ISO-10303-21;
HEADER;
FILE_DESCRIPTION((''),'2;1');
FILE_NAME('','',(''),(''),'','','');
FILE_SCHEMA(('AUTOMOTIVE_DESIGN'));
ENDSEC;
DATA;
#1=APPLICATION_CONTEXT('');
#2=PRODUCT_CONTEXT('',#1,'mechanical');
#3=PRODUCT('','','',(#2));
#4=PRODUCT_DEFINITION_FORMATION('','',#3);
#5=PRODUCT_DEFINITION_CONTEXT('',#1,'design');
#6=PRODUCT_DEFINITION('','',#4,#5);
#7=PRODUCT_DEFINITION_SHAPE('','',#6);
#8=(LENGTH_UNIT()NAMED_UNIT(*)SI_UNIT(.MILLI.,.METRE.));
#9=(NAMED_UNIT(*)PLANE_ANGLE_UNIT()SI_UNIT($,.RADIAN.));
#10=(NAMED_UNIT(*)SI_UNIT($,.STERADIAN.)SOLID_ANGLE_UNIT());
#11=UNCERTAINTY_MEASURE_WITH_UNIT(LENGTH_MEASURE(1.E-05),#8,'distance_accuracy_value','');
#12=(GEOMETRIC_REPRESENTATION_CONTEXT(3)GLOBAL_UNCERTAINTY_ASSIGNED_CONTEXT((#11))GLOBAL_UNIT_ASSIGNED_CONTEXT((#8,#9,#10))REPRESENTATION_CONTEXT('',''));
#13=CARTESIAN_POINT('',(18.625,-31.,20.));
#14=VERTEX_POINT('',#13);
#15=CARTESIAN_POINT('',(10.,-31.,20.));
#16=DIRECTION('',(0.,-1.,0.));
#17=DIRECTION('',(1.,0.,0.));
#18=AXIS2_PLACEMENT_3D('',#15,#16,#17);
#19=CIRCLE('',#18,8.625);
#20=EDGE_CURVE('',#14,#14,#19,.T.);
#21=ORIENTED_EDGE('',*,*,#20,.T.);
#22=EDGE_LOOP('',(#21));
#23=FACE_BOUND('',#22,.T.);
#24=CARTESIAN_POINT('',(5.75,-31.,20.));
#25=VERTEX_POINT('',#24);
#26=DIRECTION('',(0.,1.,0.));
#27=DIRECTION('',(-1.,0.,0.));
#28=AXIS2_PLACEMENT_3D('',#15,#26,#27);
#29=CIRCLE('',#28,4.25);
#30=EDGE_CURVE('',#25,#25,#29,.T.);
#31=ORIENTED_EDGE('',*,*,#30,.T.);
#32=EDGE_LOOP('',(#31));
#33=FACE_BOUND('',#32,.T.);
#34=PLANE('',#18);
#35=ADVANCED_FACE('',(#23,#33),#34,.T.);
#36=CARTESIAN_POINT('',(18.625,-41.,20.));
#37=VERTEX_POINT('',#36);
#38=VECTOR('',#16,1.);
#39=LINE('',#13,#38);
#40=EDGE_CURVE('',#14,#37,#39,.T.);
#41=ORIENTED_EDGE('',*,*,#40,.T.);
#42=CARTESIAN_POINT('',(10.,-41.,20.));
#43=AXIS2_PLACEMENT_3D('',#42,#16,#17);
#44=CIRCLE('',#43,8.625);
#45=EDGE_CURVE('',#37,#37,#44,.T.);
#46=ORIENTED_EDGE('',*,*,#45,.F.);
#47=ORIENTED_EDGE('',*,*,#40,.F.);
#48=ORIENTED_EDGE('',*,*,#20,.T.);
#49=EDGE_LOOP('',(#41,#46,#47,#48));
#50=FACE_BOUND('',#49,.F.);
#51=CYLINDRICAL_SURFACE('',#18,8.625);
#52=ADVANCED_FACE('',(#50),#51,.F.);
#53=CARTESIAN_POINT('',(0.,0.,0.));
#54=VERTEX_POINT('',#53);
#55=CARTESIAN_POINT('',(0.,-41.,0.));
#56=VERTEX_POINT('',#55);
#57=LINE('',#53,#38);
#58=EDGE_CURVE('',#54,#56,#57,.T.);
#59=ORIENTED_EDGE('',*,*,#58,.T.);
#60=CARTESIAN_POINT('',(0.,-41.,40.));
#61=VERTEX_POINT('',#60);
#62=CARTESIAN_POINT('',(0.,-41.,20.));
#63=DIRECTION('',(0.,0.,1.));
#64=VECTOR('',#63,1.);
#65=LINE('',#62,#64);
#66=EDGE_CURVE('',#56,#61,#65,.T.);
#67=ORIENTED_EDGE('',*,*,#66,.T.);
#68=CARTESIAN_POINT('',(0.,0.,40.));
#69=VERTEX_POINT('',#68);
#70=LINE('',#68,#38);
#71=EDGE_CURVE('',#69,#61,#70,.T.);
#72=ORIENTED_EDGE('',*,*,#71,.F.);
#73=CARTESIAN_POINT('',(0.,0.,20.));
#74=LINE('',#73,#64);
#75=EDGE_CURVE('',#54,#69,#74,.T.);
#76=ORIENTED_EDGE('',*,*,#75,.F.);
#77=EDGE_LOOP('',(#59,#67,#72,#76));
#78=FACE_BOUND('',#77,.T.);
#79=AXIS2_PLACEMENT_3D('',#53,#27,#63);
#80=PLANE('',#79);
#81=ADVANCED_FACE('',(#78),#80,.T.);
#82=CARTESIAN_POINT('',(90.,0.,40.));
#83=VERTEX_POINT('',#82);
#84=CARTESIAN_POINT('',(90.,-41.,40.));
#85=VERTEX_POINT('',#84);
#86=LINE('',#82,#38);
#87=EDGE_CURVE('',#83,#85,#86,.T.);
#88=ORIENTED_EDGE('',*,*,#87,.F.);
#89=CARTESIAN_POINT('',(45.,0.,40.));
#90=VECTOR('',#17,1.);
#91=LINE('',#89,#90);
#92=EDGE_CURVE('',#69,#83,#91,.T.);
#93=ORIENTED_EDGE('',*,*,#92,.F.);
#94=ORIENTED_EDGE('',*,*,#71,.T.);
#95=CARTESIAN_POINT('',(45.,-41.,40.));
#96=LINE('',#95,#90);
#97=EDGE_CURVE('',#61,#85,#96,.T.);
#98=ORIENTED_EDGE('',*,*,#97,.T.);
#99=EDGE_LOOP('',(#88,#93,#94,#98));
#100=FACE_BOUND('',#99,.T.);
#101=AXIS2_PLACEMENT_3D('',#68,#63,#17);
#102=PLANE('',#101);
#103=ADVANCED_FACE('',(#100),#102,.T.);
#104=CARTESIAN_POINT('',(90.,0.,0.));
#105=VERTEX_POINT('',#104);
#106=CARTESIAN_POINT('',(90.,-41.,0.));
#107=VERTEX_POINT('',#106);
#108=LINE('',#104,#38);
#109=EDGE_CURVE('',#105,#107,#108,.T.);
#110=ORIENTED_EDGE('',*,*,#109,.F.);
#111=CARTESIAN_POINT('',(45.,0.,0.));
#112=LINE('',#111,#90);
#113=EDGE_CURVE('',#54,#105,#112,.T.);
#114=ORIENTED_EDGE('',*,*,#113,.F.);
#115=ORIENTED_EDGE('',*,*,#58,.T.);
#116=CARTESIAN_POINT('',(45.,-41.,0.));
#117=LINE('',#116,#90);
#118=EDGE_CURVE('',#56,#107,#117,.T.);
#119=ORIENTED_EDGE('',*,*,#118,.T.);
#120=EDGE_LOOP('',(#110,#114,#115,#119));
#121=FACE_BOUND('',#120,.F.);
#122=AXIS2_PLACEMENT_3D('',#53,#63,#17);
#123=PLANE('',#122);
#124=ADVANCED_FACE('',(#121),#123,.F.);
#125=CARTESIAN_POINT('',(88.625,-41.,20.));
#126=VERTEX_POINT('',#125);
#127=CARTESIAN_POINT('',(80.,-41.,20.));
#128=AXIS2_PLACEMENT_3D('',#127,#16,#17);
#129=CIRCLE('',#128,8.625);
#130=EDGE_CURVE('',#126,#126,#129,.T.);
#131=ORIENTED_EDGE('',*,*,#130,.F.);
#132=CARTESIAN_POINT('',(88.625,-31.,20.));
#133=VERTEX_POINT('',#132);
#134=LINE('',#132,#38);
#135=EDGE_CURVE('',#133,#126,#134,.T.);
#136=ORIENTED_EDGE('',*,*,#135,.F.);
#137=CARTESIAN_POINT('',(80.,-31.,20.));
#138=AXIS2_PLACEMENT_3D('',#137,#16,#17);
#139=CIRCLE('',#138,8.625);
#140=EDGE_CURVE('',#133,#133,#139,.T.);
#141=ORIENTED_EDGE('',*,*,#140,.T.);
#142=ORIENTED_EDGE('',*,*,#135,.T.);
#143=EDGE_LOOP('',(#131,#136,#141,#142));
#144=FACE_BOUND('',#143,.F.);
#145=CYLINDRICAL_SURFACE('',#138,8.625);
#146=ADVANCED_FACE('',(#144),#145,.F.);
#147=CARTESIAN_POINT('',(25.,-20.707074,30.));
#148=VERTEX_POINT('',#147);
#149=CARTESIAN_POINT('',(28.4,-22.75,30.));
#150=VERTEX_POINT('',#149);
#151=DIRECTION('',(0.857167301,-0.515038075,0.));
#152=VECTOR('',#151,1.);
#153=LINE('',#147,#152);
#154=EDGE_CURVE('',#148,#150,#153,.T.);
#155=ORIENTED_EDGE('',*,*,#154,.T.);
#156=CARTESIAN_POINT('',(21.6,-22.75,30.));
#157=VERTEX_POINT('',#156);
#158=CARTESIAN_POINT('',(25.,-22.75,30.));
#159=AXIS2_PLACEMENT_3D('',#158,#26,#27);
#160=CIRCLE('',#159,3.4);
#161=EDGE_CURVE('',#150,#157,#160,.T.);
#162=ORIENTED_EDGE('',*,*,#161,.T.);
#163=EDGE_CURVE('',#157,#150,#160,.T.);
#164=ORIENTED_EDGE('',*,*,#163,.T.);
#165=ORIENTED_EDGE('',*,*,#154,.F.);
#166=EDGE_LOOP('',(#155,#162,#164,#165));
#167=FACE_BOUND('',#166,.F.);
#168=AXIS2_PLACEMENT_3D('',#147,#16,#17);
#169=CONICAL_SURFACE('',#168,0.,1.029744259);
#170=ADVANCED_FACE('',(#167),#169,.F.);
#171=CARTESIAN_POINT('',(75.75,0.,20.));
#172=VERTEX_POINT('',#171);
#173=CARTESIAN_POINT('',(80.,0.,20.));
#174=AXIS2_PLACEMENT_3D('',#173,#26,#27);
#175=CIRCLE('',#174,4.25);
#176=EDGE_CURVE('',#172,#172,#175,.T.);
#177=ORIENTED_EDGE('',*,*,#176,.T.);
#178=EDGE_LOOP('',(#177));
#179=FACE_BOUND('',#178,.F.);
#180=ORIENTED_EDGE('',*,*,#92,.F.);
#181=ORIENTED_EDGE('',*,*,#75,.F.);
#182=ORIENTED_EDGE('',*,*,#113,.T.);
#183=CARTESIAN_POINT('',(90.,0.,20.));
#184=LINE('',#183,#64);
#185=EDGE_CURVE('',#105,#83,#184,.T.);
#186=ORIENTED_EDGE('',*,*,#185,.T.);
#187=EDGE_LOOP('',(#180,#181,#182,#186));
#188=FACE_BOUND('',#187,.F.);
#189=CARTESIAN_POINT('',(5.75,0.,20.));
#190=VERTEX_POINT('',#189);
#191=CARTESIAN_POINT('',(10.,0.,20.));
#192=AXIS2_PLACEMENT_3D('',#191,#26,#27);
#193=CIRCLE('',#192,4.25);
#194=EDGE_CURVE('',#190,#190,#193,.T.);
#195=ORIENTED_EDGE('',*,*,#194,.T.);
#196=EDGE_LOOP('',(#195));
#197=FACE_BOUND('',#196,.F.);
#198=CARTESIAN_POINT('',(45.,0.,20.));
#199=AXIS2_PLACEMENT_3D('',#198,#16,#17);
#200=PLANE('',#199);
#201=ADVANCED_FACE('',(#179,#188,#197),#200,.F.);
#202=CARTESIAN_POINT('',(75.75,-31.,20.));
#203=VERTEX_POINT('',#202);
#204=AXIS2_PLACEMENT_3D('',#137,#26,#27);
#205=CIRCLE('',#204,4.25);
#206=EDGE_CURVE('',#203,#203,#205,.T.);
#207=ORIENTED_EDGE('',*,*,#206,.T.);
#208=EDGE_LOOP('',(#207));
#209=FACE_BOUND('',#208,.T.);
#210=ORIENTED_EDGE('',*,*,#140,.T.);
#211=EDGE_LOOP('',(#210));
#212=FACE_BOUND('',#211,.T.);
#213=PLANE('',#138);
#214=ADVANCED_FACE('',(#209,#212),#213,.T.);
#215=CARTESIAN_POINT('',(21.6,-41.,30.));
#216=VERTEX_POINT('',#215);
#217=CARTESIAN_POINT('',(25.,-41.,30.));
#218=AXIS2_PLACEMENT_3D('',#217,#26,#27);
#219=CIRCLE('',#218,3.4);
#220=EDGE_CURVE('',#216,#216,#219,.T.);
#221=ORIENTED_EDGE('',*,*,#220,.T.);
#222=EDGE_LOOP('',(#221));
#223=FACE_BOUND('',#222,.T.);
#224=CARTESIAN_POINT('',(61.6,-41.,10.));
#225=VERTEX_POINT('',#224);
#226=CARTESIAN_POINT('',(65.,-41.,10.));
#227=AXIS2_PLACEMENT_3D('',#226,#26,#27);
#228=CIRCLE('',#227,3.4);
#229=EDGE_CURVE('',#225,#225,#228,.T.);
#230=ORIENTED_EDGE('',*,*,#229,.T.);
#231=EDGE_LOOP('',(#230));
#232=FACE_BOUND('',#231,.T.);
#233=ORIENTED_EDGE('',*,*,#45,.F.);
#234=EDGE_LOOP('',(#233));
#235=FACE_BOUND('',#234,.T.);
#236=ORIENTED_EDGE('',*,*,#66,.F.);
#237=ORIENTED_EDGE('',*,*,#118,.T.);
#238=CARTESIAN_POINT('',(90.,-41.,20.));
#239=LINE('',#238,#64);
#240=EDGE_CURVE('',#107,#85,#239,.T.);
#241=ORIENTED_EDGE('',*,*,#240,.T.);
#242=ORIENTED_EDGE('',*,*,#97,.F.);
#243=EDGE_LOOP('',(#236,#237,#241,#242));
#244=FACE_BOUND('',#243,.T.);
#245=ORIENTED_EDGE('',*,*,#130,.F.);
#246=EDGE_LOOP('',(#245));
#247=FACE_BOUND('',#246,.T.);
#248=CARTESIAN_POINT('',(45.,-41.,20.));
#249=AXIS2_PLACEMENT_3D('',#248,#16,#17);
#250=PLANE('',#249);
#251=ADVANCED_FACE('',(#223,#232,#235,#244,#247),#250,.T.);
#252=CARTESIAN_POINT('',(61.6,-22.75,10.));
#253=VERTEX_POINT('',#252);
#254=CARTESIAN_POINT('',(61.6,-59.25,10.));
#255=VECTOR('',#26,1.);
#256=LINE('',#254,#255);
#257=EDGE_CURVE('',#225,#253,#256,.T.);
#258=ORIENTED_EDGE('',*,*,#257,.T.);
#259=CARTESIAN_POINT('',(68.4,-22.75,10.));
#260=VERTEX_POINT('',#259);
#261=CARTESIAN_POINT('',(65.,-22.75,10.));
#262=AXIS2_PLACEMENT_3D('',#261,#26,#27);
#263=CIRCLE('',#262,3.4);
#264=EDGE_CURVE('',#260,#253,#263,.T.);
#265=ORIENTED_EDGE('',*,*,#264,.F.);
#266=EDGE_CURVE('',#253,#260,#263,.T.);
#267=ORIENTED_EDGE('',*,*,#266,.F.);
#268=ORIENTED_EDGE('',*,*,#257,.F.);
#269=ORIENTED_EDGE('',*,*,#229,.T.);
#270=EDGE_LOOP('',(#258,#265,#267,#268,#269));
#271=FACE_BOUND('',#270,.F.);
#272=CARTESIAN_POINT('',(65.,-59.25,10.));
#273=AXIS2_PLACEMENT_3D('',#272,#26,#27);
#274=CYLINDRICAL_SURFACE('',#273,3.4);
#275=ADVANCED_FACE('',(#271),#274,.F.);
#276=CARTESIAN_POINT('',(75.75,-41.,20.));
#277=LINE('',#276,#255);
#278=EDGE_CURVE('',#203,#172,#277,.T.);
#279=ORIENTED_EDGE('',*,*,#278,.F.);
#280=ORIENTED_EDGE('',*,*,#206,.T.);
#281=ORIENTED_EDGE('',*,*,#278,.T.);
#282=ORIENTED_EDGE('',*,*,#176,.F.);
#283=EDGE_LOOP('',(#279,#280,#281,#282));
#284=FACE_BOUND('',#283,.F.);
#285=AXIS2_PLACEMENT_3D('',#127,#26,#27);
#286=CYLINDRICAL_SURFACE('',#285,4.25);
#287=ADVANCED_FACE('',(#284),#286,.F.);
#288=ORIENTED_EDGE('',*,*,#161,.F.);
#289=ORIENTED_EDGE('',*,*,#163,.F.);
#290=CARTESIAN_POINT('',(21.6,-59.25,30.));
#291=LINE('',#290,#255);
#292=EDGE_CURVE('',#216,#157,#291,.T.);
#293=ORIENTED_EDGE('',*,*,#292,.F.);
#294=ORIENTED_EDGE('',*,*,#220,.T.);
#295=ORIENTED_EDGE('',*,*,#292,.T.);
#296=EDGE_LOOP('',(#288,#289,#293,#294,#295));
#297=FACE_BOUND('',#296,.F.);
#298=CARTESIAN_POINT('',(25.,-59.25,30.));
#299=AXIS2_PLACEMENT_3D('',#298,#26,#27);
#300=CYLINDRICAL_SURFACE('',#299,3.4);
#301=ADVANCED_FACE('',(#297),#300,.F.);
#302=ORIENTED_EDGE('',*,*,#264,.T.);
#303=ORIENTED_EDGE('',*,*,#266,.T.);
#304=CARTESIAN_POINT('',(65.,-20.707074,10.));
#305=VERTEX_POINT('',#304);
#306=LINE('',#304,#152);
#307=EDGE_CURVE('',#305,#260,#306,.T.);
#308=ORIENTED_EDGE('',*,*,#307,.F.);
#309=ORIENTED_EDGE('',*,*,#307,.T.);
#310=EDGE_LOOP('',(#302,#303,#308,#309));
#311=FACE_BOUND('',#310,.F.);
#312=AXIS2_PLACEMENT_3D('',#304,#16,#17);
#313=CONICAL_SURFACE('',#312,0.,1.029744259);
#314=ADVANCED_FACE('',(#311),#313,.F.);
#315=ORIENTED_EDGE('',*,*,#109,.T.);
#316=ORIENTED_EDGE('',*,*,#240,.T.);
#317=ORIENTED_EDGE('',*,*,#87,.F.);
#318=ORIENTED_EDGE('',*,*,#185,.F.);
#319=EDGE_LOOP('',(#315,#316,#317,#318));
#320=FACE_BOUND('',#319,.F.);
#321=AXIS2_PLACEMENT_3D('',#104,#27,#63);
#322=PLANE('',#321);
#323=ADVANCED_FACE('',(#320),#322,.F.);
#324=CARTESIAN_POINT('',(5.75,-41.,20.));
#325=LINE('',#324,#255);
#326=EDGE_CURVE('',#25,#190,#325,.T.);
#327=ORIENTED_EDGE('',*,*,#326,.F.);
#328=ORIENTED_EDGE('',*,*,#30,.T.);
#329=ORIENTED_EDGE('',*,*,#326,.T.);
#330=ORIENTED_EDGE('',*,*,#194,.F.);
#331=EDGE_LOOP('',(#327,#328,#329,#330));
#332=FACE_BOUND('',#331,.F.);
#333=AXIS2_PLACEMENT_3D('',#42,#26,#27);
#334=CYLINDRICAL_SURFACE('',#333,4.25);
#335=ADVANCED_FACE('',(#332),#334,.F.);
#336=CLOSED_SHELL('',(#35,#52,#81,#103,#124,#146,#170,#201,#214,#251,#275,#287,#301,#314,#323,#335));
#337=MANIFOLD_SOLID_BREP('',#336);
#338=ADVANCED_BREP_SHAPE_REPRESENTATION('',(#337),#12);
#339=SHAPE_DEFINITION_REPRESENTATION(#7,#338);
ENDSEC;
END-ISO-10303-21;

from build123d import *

# Parameters (mm, degrees)
F0_W           = 90
F0_H           = 40
F1_DEPTH       = 41
F3_D           = 8.5
F3_CBORE_D     = 17.25
F3_CBORE_DEPTH = 10
F4_D           = 6.8
F4_DEPTH       = 18.25
F4_TIP         = 2.0429261047


with BuildPart() as f1:
    # F0 (on Front) → F1 (new body)
    with BuildSketch(Plane.XZ):
        with Locations((45, 20)):
            Rectangle(F0_W, F0_H)
    extrude(amount=F1_DEPTH)

    # F3 (through all)
    with Locations(Plane.XZ.offset(41)):
        with Locations((10, 20), (80, 20)):
            CounterBoreHole(F3_D / 2, F3_CBORE_D / 2, F3_CBORE_DEPTH)

    # F4
    with Locations(Plane.XZ.offset(41)):
        with Locations((25, 30), (65, 10)):
            Hole(F4_D / 2, depth=F4_DEPTH)
            with Locations((0, 0, -(F4_DEPTH + F4_TIP / 2))):  # 118° drill point
                Cone(0, F4_D / 2, F4_TIP, mode=Mode.SUBTRACT)


solid = f1.part
